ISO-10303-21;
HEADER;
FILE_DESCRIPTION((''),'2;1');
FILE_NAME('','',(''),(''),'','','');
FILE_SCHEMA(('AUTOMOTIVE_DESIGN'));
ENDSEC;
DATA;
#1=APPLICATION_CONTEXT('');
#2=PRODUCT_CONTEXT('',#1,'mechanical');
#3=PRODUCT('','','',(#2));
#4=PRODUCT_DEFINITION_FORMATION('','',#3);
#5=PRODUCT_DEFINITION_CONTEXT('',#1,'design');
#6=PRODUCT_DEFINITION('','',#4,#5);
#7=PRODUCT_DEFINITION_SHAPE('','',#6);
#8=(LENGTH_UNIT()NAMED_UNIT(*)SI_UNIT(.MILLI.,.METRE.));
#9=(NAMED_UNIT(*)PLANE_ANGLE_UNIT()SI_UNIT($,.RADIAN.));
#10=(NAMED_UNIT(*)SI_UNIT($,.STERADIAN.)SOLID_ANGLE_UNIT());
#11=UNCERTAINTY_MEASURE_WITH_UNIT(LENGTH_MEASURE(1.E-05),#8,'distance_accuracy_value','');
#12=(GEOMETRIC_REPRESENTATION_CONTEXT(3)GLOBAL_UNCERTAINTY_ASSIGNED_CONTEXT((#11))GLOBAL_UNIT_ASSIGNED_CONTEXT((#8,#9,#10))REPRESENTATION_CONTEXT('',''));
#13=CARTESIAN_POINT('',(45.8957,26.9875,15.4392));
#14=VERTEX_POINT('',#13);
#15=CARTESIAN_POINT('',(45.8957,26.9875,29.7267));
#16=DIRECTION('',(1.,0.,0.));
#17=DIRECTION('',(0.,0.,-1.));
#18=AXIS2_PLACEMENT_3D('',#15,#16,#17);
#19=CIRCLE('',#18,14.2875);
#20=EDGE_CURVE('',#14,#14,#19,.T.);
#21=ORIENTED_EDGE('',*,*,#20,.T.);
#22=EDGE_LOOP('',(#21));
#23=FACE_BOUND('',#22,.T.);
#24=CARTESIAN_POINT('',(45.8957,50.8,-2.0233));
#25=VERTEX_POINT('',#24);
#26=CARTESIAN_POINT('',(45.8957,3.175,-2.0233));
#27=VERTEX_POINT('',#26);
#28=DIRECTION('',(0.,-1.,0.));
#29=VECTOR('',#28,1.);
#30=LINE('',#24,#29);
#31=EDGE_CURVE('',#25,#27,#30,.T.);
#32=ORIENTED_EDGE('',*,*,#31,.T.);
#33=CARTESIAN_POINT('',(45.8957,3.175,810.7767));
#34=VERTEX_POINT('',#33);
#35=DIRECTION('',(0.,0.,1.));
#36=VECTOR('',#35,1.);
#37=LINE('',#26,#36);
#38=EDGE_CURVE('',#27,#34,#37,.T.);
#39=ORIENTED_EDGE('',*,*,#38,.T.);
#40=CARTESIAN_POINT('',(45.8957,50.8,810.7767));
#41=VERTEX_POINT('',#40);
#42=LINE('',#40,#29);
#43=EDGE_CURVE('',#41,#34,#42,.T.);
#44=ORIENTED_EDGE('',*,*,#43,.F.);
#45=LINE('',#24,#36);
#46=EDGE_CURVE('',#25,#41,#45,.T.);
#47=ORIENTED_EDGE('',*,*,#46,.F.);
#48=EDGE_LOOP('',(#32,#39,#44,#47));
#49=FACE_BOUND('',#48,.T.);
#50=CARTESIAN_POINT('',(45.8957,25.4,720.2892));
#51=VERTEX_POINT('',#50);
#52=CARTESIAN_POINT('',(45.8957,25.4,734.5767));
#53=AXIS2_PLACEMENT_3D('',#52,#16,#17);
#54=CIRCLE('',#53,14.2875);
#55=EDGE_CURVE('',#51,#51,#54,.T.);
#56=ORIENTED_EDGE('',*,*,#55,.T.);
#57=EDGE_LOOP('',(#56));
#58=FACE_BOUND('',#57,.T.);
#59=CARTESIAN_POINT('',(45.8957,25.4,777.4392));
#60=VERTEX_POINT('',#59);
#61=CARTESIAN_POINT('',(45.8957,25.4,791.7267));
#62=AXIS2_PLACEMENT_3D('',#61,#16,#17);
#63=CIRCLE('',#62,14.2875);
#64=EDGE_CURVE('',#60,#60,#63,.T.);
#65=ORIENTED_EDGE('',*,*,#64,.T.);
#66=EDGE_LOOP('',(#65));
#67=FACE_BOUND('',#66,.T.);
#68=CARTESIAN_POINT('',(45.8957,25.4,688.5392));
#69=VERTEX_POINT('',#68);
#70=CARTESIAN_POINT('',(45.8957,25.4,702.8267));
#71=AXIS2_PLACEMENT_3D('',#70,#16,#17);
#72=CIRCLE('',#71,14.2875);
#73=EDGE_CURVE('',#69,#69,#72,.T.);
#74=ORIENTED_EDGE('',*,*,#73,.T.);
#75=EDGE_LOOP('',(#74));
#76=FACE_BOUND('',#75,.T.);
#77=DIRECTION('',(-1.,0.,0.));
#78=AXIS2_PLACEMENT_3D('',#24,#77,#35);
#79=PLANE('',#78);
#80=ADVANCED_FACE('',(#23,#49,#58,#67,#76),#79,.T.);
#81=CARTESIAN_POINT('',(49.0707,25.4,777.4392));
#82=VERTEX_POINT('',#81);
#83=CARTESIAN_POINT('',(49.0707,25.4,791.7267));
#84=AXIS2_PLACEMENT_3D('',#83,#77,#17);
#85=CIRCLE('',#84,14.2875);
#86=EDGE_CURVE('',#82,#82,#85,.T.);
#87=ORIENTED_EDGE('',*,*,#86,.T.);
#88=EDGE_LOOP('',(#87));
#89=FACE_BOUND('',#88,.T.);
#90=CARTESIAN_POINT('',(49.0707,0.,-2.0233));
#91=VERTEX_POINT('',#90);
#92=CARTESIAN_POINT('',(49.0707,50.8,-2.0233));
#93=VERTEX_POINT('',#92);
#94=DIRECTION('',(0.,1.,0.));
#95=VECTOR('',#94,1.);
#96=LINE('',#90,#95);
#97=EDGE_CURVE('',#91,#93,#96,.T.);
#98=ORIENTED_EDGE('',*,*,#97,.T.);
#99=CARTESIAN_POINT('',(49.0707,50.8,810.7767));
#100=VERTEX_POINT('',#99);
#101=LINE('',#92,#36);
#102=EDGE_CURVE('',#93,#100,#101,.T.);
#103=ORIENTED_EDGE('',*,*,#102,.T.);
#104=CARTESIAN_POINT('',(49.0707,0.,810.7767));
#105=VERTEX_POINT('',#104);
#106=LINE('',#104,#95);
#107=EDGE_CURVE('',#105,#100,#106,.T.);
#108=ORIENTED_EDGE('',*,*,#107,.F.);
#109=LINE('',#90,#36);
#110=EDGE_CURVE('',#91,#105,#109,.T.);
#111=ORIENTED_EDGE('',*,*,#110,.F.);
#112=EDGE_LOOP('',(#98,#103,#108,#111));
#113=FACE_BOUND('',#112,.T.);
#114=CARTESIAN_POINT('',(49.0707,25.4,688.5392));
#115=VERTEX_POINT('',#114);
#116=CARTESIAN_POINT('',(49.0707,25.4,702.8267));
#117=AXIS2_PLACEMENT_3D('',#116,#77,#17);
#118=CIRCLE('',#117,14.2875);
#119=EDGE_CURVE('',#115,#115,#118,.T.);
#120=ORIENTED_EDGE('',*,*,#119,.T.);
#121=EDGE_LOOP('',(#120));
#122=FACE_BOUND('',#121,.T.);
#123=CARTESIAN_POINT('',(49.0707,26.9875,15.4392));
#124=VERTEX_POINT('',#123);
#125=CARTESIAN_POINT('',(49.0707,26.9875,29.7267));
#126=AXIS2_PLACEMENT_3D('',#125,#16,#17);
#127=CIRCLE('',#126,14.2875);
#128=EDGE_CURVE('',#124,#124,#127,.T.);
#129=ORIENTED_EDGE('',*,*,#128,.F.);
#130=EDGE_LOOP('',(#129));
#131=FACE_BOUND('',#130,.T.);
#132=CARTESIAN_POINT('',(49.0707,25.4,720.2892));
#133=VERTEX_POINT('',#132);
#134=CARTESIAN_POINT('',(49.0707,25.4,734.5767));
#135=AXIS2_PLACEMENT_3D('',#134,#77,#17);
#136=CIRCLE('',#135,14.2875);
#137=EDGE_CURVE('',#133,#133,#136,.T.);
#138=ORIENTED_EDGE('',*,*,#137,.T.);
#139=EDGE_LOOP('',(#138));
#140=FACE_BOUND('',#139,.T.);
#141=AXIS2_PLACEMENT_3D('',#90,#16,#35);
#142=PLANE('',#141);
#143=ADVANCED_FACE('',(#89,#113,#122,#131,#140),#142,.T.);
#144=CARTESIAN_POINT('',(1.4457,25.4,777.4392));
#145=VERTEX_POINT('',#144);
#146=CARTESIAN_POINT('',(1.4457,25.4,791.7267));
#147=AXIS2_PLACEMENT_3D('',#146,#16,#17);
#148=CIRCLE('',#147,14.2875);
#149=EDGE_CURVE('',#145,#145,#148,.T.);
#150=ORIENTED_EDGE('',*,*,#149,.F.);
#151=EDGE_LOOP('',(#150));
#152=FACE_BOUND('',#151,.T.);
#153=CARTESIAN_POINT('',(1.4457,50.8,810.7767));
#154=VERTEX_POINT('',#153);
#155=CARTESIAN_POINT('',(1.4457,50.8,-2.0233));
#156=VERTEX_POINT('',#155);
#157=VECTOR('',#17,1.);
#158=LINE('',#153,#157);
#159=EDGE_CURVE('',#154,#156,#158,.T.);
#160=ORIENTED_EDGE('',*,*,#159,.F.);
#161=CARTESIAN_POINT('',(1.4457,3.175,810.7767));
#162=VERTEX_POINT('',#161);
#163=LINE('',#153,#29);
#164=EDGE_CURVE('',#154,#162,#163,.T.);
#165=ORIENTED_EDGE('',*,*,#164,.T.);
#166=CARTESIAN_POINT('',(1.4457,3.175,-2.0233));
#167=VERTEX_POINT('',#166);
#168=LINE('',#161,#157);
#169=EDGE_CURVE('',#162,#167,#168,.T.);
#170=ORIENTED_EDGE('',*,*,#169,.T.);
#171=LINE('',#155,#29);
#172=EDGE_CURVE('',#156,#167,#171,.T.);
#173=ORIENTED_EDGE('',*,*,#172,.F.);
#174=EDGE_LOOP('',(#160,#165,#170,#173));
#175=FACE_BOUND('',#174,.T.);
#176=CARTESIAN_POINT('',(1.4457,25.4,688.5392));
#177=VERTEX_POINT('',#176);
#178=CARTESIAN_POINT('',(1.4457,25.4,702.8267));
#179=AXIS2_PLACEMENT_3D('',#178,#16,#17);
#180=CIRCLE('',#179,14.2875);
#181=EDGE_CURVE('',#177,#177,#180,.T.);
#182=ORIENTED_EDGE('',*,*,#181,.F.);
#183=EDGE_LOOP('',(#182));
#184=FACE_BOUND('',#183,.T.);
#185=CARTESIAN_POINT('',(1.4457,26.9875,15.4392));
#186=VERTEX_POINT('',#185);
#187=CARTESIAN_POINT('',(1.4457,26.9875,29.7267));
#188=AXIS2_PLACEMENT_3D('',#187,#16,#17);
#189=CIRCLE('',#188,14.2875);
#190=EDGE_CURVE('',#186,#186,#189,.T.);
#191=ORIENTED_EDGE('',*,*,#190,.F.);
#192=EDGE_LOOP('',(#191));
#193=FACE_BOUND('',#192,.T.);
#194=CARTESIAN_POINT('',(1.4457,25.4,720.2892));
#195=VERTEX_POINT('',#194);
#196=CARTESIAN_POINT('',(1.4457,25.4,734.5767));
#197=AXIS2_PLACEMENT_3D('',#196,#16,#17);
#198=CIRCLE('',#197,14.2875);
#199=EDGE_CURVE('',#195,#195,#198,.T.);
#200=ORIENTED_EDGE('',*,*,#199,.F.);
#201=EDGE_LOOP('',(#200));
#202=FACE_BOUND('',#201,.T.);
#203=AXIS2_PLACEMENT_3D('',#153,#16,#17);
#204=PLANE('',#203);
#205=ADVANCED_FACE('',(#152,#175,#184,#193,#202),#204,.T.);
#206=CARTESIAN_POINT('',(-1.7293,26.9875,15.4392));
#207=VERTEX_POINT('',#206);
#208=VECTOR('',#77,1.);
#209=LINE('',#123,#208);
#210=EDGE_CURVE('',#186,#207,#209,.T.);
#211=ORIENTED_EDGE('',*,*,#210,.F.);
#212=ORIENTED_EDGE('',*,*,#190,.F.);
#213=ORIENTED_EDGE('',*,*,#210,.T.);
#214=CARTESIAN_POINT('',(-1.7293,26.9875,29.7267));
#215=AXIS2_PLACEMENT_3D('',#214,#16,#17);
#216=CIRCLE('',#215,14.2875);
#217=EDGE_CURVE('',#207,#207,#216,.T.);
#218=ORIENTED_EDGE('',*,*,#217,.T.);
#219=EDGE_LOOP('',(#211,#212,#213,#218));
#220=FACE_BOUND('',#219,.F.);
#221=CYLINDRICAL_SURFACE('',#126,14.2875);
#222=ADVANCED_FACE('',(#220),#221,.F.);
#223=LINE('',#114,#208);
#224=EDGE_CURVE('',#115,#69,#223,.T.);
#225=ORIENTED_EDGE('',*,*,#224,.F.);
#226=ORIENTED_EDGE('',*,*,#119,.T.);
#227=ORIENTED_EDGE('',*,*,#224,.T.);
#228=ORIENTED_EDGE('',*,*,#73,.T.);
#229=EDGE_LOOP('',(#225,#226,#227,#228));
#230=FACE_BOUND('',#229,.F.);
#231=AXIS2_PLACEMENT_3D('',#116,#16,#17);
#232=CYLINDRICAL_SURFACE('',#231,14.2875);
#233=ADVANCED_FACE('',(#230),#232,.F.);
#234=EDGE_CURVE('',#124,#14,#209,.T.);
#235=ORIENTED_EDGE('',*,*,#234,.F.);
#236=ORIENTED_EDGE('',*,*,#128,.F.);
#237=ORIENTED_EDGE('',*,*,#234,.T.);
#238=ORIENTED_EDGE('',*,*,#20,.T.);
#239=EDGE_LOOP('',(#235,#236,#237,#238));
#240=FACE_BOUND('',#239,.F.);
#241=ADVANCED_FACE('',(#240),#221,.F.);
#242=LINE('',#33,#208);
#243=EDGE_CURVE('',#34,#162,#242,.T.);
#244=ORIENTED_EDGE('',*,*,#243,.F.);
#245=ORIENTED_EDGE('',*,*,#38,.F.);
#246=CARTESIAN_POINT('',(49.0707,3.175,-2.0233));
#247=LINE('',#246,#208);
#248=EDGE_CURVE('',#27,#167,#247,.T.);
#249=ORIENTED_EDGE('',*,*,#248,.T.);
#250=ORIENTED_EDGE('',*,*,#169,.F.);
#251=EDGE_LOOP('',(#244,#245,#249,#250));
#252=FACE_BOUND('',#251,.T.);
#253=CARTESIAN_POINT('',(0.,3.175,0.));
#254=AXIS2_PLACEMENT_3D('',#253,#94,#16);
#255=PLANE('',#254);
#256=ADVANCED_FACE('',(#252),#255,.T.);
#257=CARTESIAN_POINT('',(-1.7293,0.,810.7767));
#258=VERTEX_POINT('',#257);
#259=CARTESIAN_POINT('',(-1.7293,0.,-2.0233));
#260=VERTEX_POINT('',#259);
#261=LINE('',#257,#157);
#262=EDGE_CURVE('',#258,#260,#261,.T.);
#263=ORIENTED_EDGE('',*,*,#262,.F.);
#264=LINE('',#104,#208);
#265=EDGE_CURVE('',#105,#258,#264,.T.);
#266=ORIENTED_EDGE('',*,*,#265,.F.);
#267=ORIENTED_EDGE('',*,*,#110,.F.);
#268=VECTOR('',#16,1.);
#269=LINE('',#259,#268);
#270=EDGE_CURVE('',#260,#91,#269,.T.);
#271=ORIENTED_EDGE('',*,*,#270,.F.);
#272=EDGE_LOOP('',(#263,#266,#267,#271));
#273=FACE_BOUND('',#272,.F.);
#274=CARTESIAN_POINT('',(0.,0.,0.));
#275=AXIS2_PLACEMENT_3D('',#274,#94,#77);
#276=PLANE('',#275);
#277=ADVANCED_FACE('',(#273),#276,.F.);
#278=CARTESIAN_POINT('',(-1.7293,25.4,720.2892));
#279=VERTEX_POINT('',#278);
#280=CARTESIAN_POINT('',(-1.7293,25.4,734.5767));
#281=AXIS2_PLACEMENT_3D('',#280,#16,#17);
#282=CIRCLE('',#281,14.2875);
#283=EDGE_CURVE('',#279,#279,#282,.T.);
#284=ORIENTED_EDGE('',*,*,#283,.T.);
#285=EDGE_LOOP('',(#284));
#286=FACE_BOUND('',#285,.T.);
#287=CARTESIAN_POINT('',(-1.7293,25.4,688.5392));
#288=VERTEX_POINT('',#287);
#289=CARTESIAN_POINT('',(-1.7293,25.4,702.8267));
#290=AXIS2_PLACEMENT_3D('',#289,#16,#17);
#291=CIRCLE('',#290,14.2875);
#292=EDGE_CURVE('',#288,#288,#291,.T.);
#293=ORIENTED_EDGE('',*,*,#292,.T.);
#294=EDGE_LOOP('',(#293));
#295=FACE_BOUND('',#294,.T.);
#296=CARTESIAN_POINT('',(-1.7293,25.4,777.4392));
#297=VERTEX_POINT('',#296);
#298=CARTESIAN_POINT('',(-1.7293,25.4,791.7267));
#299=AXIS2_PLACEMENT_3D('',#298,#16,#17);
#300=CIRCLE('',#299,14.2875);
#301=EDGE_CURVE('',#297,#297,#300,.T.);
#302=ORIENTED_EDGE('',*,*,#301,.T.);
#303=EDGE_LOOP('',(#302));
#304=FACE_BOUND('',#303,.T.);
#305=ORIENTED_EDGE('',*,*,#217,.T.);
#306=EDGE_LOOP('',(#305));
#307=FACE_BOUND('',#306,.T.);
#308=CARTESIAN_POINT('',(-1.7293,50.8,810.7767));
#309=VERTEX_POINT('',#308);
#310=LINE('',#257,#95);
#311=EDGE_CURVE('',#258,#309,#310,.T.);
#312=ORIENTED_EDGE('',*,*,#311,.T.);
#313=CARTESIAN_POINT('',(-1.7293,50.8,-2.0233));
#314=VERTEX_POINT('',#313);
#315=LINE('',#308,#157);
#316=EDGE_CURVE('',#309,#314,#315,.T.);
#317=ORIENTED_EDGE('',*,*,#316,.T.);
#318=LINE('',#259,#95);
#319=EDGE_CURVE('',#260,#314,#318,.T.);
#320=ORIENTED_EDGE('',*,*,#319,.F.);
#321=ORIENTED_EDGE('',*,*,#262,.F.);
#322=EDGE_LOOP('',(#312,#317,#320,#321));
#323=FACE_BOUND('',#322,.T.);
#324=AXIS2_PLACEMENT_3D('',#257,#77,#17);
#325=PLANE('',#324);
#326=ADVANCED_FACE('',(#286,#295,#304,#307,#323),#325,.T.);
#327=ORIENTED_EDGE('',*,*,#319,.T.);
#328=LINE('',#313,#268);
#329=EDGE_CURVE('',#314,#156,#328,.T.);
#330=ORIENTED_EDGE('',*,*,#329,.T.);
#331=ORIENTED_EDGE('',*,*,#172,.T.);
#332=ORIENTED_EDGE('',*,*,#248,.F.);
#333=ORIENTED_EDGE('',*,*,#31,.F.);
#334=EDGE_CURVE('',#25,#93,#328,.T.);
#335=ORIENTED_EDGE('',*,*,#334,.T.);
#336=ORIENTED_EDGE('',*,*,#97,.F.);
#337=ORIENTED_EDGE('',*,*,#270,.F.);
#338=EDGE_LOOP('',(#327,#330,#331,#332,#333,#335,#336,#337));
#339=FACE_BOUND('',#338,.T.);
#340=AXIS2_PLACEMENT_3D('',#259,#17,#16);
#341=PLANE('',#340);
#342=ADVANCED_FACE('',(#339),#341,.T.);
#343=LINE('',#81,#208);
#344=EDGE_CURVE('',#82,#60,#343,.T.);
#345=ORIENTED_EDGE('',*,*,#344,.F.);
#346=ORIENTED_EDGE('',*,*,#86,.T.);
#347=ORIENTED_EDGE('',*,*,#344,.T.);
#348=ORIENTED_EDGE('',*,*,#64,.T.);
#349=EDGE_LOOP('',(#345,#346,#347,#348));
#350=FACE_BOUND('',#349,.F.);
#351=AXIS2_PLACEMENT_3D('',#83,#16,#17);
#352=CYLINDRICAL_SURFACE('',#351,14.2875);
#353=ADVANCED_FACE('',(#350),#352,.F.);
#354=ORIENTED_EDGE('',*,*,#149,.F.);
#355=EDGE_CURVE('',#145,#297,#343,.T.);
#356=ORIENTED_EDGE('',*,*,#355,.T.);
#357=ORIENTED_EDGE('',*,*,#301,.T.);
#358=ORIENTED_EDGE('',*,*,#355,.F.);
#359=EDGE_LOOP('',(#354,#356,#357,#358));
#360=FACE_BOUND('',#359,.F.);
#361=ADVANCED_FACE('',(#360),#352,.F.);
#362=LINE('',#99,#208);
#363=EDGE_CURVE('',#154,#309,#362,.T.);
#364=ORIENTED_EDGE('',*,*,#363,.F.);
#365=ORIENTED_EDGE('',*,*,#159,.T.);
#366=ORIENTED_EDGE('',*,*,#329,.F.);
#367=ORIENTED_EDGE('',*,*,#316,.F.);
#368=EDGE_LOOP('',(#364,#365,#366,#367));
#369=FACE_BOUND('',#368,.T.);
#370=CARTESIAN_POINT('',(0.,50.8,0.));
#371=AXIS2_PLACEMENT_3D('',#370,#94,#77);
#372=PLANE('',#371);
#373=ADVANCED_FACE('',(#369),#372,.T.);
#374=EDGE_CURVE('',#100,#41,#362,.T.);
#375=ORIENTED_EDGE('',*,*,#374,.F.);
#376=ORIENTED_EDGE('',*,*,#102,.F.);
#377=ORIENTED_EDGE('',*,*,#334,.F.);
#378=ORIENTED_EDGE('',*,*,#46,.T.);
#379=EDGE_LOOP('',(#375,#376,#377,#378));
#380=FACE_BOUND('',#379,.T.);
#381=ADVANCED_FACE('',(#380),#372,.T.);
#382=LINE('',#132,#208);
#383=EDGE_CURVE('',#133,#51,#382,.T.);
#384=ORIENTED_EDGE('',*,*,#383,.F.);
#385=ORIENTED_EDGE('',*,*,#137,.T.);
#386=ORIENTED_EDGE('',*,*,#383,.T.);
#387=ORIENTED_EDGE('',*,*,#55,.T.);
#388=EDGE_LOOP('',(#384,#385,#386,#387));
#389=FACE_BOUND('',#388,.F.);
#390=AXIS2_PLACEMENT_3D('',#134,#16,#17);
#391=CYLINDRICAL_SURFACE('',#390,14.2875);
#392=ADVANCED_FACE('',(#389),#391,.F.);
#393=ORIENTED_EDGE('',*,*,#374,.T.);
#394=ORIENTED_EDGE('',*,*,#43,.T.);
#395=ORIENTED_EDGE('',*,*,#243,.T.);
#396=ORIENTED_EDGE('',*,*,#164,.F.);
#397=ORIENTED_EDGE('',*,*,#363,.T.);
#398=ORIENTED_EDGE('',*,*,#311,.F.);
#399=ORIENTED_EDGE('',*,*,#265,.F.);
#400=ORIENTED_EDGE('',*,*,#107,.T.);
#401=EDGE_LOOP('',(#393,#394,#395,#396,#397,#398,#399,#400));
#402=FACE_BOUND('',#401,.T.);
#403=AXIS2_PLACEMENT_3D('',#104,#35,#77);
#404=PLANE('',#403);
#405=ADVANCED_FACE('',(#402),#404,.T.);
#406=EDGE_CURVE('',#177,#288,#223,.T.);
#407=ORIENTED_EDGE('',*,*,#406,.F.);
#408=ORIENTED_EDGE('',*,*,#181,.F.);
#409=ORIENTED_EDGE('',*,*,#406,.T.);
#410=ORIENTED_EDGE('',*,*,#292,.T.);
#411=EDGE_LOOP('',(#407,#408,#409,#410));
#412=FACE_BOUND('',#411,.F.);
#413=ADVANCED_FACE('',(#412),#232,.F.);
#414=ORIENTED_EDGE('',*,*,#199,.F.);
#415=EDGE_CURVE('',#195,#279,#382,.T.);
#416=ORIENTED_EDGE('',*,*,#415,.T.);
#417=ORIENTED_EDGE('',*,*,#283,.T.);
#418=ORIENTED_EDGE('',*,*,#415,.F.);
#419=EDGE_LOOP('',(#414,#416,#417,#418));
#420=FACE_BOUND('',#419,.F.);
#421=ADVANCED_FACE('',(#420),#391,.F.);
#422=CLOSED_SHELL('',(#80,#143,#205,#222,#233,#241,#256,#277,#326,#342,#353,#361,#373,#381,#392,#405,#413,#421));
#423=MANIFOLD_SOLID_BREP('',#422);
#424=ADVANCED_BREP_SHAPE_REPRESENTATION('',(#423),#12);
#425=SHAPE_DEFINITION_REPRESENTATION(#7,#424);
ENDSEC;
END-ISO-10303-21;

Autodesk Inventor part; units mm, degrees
ref_plane "YZ Plane" through (0, 0, 0) normal (1, 0, 0) x (0, 1, 0)
ref_plane "XZ Plane" through (0, 0, 0) normal (0, 1, 0) x (-1, 0, 0)
ref_plane "XY Plane" through (0, 0, 0) normal (0, 0, 1) x (1, 0, 0)
sketch "Sketch1" plane through (0, 0, 0) normal (0, 1, 0) x (-1, 0, 0)
  line L0 (1.7293, -2.0233) -> (-49.0707, -2.0233)
  line L1 (-49.0707, -2.0233) -> (-49.0707, 810.7767)
  line L2 (-49.0707, 810.7767) -> (1.7293, 810.7767)
  line L3 (1.7293, 810.7767) -> (1.7293, -2.0233)
  point P0 (0, 0)
  dimension "d0" = 50.8
  dimension "d1" = 812.8
extrude "Extrusion1" add sketch "Sketch1" along normal blind 50.8
sketch "Sketch2" plane through (0, 50.8, 0) normal (0, 1, 0) x (1, 0, 0)
  line L0 (49.0707, 2.0233) -> (-1.7293, 2.0233) projected
  line L1 (-1.7293, 2.0233) -> (1.4457, 2.0233)
  line L2 (49.0707, 2.0233) -> (45.8957, 2.0233)
  line L3 (1.4457, 2.0233) -> (45.8957, 2.0233)
  line L4 (45.8957, 2.0233) -> (45.8957, -810.7767)
  line L5 (45.8957, -810.7767) -> (1.4457, -810.7767)
  line L6 (1.4457, -810.7767) -> (1.4457, 2.0233)
  point P0 (0, 0)
  dimension "d4" = 3.175
  dimension "d5" = 3.175
  dimension "d6" = 44.45
  dimension "d7" = 812.8
extrude "Extrusion2" cut sketch "Sketch2" against normal blind 47.625
sketch "Sketch3" plane through (49.0707, 0, 810.7767) normal (1, 0, 0) x (0, 0, -1)
  line L0 (0, 0) -> (0, 50.8) projected
  line L1 (0, 25.4) -> (19.05, 25.4)
  circle A0 centre (19.05, 25.4) radius 14.2875
  line L2 (19.05, 25.4) -> (76.2, 25.4)
  circle A1 centre (76.2, 25.4) radius 14.2875
  line L3 (76.2, 25.4) -> (107.95, 25.4)
  circle A2 centre (107.95, 25.4) radius 14.2875
  point P0 (810.7767, 0)
  dimension "d10" = 19.05
  dimension "d11" = 28.575
  dimension "d12" = 57.15
  dimension "d13" = 28.575
  dimension "d14" = 31.75
  dimension "d15" = 28.575
extrude "Extrusion3" cut sketch "Sketch3" against normal blind 76.2
sketch "Sketch4" plane through (49.0707, 0, 810.7767) normal (1, 0, 0) x (0, 0, -1)
  line L0 (812.8, 50.8) -> (812.8, 3.175) projected
  line L1 (812.8, 26.9875) -> (781.05, 26.9875)
  circle A0 centre (781.05, 26.9875) radius 14.2875
  point P0 (810.7767, 0)
  dimension "d18" = 31.75
  dimension "d19" = 28.575
extrude "Extrusion4" cut sketch "Sketch4" against normal blind 76.2
properties part number "36in Aluminum Channel"
